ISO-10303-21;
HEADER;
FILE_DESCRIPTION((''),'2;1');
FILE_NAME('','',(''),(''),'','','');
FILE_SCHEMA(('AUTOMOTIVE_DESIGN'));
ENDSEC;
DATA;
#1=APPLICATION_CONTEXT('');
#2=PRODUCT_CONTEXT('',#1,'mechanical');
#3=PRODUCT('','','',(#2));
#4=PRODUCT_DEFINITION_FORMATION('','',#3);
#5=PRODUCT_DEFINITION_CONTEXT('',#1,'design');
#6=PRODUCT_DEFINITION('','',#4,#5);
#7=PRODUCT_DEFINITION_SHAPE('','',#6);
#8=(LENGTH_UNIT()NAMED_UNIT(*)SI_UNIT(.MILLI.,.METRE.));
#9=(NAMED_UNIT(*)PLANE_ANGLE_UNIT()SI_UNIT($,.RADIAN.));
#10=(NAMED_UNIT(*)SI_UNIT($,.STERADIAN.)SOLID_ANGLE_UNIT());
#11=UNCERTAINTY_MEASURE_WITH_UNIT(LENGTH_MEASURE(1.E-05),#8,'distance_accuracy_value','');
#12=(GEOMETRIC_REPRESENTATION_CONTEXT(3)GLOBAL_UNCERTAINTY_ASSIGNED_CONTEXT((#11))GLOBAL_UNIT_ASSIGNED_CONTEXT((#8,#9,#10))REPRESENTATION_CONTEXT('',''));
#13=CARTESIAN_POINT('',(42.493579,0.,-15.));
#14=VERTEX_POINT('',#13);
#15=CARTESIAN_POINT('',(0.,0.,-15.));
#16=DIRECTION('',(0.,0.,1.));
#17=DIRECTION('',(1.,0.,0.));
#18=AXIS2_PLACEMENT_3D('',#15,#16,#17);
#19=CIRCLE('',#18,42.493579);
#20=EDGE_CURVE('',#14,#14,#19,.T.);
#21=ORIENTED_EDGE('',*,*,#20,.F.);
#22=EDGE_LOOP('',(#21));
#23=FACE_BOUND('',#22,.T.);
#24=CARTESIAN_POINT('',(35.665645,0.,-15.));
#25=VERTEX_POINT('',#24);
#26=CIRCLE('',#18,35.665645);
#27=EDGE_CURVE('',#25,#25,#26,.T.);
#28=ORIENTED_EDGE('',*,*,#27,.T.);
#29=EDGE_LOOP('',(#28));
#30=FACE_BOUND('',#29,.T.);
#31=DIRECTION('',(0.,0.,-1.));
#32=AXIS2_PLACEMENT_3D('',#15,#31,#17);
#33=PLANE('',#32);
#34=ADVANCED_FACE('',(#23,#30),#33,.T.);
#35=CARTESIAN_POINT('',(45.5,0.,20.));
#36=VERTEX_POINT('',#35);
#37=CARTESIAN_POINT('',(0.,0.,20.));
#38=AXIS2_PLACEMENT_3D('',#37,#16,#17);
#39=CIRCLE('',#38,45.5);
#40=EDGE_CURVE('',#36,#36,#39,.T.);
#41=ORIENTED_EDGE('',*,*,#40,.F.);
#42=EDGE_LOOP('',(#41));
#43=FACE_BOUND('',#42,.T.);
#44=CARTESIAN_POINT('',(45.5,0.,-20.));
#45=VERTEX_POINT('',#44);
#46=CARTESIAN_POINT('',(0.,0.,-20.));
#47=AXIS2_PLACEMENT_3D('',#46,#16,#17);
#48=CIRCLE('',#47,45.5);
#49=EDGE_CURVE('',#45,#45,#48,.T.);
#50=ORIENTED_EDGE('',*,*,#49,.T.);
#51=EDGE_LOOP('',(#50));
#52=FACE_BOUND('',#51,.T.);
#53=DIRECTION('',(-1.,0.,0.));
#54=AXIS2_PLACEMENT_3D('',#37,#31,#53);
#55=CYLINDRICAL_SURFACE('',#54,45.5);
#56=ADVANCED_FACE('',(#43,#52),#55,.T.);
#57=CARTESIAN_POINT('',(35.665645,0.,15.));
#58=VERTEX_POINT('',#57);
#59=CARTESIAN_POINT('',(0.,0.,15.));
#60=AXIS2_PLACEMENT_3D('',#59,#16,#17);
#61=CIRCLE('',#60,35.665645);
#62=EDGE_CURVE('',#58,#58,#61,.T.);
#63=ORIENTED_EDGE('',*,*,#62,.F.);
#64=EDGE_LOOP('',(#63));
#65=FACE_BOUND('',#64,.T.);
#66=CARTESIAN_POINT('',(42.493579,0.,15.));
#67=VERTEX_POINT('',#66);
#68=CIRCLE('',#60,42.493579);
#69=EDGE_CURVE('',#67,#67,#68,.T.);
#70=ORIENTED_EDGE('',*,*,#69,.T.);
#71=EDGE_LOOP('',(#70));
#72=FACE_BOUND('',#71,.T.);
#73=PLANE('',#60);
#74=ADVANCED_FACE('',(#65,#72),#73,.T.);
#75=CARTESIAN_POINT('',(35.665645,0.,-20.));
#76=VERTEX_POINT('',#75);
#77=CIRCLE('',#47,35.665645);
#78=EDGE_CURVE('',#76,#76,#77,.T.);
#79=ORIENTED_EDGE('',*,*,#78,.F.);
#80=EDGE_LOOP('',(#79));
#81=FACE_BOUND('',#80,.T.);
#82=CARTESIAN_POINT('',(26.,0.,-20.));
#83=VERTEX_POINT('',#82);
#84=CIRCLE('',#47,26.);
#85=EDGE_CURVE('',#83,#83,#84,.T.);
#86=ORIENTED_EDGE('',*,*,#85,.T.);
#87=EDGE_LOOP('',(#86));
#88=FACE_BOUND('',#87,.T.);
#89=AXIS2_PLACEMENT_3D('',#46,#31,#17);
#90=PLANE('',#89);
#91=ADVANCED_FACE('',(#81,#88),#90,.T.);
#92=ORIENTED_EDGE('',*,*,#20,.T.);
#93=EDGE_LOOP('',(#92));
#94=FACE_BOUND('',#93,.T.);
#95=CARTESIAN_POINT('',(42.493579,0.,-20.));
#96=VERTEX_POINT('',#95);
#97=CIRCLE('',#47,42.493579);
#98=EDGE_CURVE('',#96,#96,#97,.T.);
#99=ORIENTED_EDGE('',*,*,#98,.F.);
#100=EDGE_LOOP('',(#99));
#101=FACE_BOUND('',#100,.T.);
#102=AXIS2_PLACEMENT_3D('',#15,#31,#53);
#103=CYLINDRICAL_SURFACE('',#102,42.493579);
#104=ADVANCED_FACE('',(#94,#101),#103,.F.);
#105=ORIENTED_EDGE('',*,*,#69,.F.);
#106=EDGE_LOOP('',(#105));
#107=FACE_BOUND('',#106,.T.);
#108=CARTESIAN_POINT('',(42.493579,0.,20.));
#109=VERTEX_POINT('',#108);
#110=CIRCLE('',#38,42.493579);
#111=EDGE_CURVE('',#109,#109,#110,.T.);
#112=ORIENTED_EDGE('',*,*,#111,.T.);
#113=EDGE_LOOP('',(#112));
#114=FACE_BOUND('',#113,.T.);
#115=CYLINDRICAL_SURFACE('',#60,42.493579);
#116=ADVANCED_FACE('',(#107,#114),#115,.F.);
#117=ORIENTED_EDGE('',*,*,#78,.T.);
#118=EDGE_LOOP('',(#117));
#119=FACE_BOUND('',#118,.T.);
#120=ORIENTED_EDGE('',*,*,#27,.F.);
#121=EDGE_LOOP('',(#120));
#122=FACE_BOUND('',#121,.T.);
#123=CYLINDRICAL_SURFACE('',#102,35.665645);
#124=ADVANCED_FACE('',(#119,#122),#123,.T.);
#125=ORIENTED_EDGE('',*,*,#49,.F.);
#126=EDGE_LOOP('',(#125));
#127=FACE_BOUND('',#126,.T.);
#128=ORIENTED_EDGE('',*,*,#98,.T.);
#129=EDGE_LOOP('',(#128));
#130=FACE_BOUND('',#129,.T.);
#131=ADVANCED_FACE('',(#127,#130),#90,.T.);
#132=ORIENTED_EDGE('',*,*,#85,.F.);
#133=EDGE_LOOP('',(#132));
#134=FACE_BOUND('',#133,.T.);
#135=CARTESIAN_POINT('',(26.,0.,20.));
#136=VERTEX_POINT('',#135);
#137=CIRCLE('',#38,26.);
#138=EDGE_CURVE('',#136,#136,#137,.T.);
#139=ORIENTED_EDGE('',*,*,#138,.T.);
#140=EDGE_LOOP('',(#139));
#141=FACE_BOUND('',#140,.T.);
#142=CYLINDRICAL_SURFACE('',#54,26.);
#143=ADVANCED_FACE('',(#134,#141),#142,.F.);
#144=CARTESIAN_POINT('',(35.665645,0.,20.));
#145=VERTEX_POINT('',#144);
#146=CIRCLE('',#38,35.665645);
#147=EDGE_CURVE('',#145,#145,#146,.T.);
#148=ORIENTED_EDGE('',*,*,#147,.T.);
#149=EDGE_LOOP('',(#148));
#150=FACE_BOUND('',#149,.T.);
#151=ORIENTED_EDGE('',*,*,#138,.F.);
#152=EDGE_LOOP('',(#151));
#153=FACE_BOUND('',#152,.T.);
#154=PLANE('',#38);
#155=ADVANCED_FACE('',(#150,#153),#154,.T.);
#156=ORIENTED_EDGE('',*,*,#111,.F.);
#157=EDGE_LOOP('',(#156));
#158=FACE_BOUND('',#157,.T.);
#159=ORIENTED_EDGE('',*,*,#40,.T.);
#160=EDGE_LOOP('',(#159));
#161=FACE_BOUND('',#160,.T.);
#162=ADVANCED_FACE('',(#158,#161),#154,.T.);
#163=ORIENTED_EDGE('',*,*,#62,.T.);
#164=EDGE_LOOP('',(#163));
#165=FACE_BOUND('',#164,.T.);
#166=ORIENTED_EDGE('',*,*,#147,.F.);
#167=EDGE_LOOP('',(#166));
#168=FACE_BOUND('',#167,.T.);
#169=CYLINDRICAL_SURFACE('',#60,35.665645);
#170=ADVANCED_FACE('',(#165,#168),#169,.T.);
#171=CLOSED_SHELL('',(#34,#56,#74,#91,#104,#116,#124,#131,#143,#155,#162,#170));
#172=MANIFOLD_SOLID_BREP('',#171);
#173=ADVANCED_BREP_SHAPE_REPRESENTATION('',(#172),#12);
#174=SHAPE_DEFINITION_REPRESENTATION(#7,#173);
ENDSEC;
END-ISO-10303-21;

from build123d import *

# Parameters (mm, degrees)
SKETCH1_R           = 45.5
SKETCH1_R_2         = 26
BOSS_EXTRUDE1_DEPTH = 20
SKETCH2_R           = 42.493578565
SKETCH2_R_2         = 35.665645311
CUT_EXTRUDE2_DEPTH  = 5


with BuildPart() as part:
    # Sketch1 → Boss-Extrude1 (new body)
    with BuildSketch(Plane.XY):
        Circle(SKETCH1_R)
        Circle(SKETCH1_R_2, mode=Mode.SUBTRACT)
    boss_extrude1 = extrude(amount=BOSS_EXTRUDE1_DEPTH)

    # Sketch2 → Cut-Extrude2 (cut)
    with BuildSketch(Plane.XY.offset(20)):
        Circle(SKETCH2_R)
        Circle(SKETCH2_R_2, mode=Mode.SUBTRACT)
    cut_extrude2 = extrude(amount=-CUT_EXTRUDE2_DEPTH, mode=Mode.SUBTRACT)


with BuildPart() as mirror1_1:
    # Mirror1: Boss-Extrude1 across Front Plane
    add(boss_extrude1.mirror(Plane.XY))

    # Mirror1 2: Cut-Extrude2 across Front Plane
    add(cut_extrude2.mirror(Plane.XY), mode=Mode.SUBTRACT)


with BuildPart() as part_1:
    add(part.part)

    # Mirror1 united with what the copies touc: union Mirror1_1
    add(mirror1_1.part)


solid = part_1.part
